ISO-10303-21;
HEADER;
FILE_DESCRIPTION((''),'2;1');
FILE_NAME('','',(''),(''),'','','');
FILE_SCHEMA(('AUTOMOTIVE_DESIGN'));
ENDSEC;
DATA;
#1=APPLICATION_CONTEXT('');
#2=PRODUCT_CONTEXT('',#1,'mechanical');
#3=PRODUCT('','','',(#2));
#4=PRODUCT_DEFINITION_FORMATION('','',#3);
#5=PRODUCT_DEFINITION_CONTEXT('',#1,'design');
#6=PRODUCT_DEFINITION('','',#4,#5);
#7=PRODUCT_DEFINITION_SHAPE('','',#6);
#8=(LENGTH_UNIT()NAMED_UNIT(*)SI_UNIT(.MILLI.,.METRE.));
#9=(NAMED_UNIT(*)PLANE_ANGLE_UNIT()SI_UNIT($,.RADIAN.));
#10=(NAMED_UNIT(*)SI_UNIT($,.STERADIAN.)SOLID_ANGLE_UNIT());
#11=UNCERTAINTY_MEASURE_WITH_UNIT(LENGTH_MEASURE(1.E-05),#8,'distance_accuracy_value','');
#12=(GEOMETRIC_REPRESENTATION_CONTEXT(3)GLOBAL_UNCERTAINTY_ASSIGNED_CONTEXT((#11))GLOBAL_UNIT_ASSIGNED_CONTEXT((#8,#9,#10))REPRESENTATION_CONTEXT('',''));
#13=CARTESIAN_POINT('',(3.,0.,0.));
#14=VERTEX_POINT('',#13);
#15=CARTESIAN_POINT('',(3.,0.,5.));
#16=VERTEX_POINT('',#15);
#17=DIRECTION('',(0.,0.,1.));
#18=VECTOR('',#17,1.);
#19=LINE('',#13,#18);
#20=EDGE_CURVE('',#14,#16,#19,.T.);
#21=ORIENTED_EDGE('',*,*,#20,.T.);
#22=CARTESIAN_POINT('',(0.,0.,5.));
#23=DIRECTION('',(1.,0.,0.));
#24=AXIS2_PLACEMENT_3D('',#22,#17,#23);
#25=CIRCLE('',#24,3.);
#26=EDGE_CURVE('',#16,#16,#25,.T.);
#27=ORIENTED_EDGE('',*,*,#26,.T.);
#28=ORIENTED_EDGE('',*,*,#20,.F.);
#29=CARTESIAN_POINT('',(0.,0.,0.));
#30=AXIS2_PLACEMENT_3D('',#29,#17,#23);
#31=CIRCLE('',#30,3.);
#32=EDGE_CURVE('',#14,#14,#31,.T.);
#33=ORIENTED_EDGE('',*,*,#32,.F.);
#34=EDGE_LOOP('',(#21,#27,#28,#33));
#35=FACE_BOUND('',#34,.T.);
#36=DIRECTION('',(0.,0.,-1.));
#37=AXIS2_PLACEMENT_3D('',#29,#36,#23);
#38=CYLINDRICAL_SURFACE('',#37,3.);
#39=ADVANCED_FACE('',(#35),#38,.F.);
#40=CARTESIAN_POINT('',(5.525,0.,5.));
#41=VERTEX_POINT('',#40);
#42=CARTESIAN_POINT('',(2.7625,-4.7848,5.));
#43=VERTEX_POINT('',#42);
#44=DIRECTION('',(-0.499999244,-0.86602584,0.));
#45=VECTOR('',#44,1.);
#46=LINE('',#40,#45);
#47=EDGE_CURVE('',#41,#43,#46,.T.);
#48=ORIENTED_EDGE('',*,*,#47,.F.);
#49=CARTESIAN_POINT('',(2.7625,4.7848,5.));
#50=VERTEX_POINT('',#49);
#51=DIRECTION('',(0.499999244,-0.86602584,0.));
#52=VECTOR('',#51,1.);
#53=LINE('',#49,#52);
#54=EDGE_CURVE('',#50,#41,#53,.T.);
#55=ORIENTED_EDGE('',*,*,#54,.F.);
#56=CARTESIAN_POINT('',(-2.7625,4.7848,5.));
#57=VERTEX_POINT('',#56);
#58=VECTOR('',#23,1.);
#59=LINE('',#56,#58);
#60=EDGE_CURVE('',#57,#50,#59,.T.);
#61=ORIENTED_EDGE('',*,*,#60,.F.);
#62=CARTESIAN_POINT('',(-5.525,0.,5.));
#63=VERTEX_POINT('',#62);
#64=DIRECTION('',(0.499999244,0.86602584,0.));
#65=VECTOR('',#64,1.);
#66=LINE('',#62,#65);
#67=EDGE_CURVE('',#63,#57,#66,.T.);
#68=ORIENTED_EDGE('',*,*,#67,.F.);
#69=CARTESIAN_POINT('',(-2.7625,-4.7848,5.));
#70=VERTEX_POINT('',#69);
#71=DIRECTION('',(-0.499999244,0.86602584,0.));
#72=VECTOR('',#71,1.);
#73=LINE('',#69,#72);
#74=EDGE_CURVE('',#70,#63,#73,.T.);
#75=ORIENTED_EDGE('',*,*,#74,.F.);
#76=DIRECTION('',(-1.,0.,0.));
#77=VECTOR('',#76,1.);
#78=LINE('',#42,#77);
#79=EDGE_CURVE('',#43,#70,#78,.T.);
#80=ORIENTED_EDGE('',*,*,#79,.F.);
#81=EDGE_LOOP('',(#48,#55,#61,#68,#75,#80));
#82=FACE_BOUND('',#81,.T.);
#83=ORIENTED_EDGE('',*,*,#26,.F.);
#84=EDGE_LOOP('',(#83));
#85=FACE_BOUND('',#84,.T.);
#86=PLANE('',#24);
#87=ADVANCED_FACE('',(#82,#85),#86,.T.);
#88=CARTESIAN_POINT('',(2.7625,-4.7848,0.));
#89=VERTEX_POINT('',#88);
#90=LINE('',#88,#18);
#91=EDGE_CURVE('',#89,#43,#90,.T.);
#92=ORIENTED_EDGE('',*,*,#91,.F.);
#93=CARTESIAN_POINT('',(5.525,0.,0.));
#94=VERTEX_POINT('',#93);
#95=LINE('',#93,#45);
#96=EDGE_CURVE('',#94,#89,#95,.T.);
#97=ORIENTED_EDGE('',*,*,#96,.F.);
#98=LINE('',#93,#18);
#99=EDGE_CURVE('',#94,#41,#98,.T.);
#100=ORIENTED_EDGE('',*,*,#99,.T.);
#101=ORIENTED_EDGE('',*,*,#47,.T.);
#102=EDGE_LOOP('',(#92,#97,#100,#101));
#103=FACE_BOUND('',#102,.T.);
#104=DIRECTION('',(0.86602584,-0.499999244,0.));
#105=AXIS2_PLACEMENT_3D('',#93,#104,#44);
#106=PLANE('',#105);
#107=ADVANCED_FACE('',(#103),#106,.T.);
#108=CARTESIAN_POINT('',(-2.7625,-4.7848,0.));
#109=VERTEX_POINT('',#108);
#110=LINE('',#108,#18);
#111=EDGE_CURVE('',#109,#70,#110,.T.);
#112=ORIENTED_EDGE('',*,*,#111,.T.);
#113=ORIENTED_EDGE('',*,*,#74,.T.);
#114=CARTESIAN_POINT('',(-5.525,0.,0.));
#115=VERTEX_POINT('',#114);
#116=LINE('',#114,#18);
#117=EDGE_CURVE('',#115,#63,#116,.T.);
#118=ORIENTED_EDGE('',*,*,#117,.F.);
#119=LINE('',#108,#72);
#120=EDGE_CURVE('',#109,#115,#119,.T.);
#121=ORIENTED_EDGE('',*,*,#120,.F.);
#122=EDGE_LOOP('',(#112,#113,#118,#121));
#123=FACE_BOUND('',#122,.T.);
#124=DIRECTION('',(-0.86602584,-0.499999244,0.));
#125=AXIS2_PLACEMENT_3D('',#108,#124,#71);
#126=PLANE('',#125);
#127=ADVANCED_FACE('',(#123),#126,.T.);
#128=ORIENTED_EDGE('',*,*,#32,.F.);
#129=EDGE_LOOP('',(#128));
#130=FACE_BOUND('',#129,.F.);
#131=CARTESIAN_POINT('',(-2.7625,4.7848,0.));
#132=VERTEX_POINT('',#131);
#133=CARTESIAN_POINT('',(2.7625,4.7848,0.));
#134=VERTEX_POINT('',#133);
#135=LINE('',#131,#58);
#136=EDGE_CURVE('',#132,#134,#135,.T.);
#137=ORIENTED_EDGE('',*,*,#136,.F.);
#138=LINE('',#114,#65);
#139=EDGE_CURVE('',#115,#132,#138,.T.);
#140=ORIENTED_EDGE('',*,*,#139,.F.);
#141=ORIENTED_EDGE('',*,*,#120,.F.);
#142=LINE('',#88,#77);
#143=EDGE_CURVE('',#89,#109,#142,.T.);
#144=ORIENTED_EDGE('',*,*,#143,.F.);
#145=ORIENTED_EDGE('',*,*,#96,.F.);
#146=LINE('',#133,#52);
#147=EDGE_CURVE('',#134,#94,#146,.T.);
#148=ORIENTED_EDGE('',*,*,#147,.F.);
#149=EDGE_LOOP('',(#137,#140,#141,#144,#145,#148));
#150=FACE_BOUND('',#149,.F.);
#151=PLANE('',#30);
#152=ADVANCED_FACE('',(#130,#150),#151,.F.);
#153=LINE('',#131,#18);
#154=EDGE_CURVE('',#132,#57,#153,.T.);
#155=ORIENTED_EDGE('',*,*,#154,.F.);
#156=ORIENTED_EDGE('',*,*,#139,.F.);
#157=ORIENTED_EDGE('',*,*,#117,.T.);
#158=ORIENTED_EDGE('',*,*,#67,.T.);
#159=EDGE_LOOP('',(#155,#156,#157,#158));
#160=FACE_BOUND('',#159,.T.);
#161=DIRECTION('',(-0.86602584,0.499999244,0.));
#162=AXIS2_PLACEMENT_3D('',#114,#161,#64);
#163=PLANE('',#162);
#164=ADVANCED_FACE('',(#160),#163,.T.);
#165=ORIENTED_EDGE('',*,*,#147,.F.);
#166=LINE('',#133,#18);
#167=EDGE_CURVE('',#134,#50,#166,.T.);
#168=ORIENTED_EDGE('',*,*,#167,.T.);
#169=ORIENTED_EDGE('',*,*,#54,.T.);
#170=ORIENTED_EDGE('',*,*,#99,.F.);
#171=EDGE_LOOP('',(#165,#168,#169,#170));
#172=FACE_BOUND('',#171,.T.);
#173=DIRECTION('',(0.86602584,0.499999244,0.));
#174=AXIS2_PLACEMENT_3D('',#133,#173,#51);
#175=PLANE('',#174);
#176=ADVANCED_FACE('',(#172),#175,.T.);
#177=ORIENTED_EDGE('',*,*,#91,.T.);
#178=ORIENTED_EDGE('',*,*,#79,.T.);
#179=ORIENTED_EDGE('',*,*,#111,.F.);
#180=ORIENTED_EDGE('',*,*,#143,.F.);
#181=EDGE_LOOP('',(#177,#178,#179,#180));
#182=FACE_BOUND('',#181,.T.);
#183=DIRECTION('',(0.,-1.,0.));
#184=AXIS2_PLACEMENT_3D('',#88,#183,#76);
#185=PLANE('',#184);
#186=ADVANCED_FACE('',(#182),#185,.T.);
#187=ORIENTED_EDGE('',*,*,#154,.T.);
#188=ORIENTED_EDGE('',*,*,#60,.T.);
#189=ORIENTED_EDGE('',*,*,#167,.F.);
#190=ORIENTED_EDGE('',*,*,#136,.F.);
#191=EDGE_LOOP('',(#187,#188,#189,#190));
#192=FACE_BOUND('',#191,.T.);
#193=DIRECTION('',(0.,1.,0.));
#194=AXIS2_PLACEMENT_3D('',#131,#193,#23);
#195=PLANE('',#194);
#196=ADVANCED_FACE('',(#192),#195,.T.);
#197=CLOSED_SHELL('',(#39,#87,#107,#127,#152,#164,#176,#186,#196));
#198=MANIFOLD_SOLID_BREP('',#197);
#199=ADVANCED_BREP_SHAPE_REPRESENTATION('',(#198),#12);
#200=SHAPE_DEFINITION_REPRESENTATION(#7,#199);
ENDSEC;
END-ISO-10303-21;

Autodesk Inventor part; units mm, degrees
ref_plane "YZ Plane" through (0, 0, 0) normal (1, 0, 0) x (0, 1, 0)
ref_plane "XZ Plane" through (0, 0, 0) normal (0, 1, 0) x (-1, 0, 0)
ref_plane "XY Plane" through (0, 0, 0) normal (0, 0, 1) x (1, 0, 0)
sketch "Sketch1" plane through (0, 0, 0) normal (0, 0, 1) x (1, 0, 0)
  circle A0 centre (0, 0) radius 5.525
  line L0 (5.525, 0) -> (2.7625, -4.7848)
  line L1 (2.7625, -4.7848) -> (-2.7625, -4.7848)
  line L2 (-2.7625, -4.7848) -> (-5.525, 0)
  line L3 (-5.525, 0) -> (-2.7625, 4.7848)
  line L4 (-2.7625, 4.7848) -> (2.7625, 4.7848)
  line L5 (2.7625, 4.7848) -> (5.525, 0)
  circle A1 centre (0, 0) radius 3
  dimension "d0" = 11.05
  dimension "d1" = 6
extrude "Extrusion1" add sketch "Sketch1" along normal blind 5 contours L0 L1 L2 L3 L4 L5
properties part number "m6 Nut"
